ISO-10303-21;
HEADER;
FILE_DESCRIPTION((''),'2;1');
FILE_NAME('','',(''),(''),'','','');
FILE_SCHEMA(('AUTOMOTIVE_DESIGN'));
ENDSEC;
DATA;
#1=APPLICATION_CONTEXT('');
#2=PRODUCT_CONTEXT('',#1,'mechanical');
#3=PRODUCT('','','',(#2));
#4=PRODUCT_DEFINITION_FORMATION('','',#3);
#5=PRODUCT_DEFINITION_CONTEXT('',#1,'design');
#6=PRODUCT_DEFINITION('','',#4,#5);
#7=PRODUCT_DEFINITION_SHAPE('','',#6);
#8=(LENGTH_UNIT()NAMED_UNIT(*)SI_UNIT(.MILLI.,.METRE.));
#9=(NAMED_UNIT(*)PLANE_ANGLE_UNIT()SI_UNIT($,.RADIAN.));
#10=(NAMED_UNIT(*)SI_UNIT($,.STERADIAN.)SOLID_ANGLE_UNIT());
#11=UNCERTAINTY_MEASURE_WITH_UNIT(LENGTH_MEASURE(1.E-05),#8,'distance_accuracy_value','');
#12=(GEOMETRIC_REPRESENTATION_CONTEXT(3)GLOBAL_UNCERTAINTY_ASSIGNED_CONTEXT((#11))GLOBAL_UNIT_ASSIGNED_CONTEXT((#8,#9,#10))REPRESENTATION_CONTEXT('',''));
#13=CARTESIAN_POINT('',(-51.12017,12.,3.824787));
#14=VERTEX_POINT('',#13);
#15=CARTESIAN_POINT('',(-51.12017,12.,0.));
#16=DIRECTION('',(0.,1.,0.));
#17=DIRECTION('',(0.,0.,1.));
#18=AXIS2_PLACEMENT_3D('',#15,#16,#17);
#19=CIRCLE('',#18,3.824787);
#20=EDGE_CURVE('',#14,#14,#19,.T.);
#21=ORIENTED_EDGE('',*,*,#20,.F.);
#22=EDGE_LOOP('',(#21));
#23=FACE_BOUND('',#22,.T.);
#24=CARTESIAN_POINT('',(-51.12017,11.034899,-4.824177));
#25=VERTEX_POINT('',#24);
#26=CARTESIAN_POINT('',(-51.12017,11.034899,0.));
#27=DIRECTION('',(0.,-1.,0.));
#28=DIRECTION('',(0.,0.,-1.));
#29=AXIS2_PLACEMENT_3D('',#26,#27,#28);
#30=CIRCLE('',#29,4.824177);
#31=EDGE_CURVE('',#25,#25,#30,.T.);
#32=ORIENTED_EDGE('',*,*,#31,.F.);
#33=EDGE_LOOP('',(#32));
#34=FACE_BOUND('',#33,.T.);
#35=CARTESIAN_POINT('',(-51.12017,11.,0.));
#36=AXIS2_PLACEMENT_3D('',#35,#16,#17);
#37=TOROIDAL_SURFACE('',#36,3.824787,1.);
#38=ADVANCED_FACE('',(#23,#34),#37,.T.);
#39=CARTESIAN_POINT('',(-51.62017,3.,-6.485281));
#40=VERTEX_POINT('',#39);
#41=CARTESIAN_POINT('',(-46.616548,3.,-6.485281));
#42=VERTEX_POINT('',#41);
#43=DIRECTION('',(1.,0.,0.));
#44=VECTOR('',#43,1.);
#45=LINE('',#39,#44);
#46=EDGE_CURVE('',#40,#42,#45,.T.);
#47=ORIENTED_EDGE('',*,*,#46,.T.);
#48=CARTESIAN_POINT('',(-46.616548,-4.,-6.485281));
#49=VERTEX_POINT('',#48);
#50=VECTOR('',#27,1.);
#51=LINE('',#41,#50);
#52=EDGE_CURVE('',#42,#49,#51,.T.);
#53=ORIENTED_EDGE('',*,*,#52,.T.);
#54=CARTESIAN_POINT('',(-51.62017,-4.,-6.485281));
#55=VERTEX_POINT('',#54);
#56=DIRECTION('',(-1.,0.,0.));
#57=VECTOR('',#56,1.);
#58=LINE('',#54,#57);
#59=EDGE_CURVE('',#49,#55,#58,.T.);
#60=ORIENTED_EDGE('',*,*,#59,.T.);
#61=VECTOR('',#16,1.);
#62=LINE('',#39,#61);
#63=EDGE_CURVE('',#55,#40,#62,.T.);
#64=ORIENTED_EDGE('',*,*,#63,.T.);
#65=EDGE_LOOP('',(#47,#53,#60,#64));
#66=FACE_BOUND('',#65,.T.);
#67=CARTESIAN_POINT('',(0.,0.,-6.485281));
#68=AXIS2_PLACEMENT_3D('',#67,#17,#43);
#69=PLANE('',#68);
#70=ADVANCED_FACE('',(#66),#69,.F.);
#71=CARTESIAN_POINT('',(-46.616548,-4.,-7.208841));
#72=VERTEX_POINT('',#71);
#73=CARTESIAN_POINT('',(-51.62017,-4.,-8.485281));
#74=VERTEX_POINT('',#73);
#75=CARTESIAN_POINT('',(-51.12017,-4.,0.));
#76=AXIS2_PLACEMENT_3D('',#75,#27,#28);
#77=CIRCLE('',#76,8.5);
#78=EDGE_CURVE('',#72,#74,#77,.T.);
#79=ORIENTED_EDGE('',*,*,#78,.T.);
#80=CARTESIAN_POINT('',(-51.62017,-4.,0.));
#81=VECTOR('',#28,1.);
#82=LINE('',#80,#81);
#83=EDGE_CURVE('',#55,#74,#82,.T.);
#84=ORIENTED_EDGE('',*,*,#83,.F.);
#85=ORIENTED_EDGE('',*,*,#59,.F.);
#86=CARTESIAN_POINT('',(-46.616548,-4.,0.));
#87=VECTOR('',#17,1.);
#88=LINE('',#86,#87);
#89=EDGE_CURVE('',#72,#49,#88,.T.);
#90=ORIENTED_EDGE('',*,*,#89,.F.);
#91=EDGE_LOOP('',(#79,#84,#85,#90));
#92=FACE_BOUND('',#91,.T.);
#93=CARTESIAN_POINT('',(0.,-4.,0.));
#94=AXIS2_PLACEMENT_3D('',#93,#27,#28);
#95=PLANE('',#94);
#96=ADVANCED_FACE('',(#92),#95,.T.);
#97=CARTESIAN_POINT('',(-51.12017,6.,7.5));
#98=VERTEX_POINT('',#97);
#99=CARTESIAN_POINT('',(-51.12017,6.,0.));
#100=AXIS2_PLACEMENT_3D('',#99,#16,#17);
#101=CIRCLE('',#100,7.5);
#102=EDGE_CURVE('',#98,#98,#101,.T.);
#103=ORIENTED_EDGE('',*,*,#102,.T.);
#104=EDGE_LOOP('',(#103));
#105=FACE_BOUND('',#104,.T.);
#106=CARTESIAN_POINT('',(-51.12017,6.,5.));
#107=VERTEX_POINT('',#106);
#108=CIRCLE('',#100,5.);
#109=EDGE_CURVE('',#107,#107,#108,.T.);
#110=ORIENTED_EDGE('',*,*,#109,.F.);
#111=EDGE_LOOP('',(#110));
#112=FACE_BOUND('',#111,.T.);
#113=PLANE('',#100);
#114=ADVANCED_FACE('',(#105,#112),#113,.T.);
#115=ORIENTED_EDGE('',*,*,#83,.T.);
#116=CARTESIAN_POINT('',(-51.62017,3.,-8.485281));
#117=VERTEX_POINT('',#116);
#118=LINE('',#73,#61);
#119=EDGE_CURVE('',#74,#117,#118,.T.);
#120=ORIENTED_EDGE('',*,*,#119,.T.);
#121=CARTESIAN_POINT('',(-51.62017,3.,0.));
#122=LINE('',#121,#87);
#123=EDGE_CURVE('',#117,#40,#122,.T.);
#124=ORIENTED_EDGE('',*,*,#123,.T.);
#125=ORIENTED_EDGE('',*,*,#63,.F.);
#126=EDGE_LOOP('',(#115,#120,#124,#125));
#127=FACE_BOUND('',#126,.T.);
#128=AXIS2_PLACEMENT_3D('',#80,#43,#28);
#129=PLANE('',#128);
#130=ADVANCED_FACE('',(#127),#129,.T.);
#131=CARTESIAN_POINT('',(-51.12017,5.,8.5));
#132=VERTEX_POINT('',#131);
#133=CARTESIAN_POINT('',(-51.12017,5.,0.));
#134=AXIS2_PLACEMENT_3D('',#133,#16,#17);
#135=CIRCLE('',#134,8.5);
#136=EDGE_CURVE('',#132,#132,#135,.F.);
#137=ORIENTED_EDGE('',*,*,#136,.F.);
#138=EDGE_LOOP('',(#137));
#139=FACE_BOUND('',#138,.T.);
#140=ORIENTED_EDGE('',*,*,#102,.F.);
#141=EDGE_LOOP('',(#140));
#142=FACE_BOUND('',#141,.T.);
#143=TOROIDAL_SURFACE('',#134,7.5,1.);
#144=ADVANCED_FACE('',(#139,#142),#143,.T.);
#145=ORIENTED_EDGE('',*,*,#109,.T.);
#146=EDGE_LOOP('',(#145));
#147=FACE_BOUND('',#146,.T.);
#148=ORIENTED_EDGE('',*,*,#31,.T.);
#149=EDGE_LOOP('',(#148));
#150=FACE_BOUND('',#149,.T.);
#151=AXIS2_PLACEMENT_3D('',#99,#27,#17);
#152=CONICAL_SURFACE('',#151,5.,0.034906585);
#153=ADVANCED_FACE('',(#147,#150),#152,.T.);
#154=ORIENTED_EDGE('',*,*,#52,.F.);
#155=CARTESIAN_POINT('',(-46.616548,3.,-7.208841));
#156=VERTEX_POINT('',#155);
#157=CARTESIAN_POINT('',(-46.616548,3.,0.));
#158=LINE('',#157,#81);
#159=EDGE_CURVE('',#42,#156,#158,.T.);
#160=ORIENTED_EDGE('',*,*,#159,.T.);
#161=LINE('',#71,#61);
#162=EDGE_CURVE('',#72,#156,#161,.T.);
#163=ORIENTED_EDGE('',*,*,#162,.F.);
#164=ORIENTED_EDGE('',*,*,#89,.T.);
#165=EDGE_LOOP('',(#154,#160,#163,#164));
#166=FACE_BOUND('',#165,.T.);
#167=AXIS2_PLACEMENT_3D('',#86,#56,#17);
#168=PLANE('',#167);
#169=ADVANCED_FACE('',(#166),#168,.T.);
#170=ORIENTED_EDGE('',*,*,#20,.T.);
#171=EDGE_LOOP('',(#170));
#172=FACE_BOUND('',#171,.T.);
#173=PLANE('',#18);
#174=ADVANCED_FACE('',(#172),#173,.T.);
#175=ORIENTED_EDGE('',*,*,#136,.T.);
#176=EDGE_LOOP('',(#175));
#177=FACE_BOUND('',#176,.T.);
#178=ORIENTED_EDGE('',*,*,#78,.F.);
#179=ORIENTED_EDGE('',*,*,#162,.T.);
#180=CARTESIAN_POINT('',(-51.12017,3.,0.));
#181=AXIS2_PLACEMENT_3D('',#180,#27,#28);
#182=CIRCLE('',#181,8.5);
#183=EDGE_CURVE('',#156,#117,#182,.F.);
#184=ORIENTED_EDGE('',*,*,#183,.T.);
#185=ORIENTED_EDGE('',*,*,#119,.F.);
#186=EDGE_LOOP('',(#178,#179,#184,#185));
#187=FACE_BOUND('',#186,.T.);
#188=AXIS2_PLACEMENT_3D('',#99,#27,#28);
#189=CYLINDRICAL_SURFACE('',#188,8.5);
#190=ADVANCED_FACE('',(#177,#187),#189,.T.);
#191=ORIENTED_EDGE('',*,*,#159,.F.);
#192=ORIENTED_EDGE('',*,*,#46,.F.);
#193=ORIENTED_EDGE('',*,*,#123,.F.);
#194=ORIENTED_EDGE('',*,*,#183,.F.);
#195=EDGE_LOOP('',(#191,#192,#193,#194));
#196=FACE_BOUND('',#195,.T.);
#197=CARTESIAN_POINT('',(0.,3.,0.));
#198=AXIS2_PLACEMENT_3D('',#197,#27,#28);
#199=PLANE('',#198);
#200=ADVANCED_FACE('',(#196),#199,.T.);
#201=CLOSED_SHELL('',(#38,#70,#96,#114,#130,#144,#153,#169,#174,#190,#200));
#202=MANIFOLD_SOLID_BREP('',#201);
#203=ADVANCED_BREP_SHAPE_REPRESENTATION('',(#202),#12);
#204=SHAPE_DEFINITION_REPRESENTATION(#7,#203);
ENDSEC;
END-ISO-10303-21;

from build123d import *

# Parameters (mm, degrees)
SKETCH1_R           = 8.5
BOSS_EXTRUDE1_DEPTH = 6
FILLET2_R           = 1
SKETCH2_R           = 5
BOSS_EXTRUDE3_DEPTH = 6
BOSS_EXTRUDE3_TAPER = 2
FILLET4_R           = 1
BOSS_EXTRUDE4_START = 4
BOSS_EXTRUDE4_DEPTH = 4
CUT_EXTRUDE4_DEPTH  = 7
SKETCH7_W           = 5.003622488
SKETCH7_H           = 7
BOSS_EXTRUDE5_DEPTH = 8


with BuildPart() as part:
    # Sketch1 → Boss-Extrude1 (new body)
    with BuildSketch(Plane(origin=(0, 0, 0), x_dir=(1, 0, 0), z_dir=(0, 1, 0))):
        with Locations(Location((-51.120170416, 0, 0), (0, 0, 270))):
            Circle(SKETCH1_R)
    extrude(amount=BOSS_EXTRUDE1_DEPTH)

    # Fillet2
    fillet2_edges = [part.edges().sort_by_distance(p)[0] for p in [
        (-51.120170416, 6, -8.5),
    ]]
    fillet(fillet2_edges, radius=FILLET2_R)

    # Sketch2 → Boss-Extrude3 (add)
    with BuildSketch(Plane(origin=(0, 6, 0), x_dir=(1, 0, 0), z_dir=(0, 1, 0))):
        with Locations((-51.120170416, 0)):
            Circle(SKETCH2_R)
    extrude(amount=BOSS_EXTRUDE3_DEPTH, taper=BOSS_EXTRUDE3_TAPER)

    # Fillet4
    fillet4_edges = [part.edges().sort_by_distance(p)[0] for p in [
        (-55.9106458, 12, 0),
    ]]
    fillet(fillet4_edges, radius=FILLET4_R)

    # Sketch3 → Boss-Extrude4 (add)
    with BuildSketch(Plane.XZ.offset(BOSS_EXTRUDE4_START)):
        with BuildLine():
            Line((-51.620170416, 0), (-59.620170416, 0))
            ThreePointArc((-59.620170416, 0), (-57.304828855, -5.830951895), (-51.620170416, -8.485281374))
            Line((-51.620170416, -8.485281374), (-51.620170416, 0))
        make_face()
        with BuildLine():
            ThreePointArc((-42.620170416, 0), (-51.120170416, 8.5), (-59.620170416, 0))
            Line((-59.620170416, 0), (-51.620170416, 0))
            Line((-51.620170416, 0), (-51.620170416, 1.514718626))
            Line((-51.620170416, 1.514718626), (-46.616547928, 1.514718626))
            Line((-46.616547928, 1.514718626), (-46.616547928, 0))
            Line((-46.616547928, 0), (-42.620170416, 0))
        make_face()
        with BuildLine():
            ThreePointArc((-46.616547928, -7.208840717), (-43.686100497, -4.121238215), (-42.620170416, 0))
            Line((-42.620170416, 0), (-46.616547928, 0))
            Line((-46.616547928, 0), (-46.616547928, -7.208840717))
        make_face()
    extrude(amount=-BOSS_EXTRUDE4_DEPTH)

    # Sketch6 → Cut-Extrude4 (cut)
    with BuildSketch(Plane.XZ.offset(4)):
        with BuildLine():
            ThreePointArc((-46.616547928, -7.208840717), (-49.019081783, -8.236226475), (-51.620170416, -8.485281374))
            Line((-51.620170416, -8.485281374), (-51.620170416, 1.514718626))
            Line((-51.620170416, 1.514718626), (-46.616547928, 1.514718626))
            Line((-46.616547928, 1.514718626), (-46.616547928, -7.208840717))
        make_face()
    extrude(amount=-CUT_EXTRUDE4_DEPTH, mode=Mode.SUBTRACT)

    # Sketch7 → Boss-Extrude5 (add)
    with BuildSketch(Plane(origin=(0, 0, 1.514718626), x_dir=(-1, 0, 0), z_dir=(0, 0, -1))):
        with Locations((49.118359172, -0.5)):
            Rectangle(SKETCH7_W, SKETCH7_H)
    extrude(amount=BOSS_EXTRUDE5_DEPTH)


solid = part.part
